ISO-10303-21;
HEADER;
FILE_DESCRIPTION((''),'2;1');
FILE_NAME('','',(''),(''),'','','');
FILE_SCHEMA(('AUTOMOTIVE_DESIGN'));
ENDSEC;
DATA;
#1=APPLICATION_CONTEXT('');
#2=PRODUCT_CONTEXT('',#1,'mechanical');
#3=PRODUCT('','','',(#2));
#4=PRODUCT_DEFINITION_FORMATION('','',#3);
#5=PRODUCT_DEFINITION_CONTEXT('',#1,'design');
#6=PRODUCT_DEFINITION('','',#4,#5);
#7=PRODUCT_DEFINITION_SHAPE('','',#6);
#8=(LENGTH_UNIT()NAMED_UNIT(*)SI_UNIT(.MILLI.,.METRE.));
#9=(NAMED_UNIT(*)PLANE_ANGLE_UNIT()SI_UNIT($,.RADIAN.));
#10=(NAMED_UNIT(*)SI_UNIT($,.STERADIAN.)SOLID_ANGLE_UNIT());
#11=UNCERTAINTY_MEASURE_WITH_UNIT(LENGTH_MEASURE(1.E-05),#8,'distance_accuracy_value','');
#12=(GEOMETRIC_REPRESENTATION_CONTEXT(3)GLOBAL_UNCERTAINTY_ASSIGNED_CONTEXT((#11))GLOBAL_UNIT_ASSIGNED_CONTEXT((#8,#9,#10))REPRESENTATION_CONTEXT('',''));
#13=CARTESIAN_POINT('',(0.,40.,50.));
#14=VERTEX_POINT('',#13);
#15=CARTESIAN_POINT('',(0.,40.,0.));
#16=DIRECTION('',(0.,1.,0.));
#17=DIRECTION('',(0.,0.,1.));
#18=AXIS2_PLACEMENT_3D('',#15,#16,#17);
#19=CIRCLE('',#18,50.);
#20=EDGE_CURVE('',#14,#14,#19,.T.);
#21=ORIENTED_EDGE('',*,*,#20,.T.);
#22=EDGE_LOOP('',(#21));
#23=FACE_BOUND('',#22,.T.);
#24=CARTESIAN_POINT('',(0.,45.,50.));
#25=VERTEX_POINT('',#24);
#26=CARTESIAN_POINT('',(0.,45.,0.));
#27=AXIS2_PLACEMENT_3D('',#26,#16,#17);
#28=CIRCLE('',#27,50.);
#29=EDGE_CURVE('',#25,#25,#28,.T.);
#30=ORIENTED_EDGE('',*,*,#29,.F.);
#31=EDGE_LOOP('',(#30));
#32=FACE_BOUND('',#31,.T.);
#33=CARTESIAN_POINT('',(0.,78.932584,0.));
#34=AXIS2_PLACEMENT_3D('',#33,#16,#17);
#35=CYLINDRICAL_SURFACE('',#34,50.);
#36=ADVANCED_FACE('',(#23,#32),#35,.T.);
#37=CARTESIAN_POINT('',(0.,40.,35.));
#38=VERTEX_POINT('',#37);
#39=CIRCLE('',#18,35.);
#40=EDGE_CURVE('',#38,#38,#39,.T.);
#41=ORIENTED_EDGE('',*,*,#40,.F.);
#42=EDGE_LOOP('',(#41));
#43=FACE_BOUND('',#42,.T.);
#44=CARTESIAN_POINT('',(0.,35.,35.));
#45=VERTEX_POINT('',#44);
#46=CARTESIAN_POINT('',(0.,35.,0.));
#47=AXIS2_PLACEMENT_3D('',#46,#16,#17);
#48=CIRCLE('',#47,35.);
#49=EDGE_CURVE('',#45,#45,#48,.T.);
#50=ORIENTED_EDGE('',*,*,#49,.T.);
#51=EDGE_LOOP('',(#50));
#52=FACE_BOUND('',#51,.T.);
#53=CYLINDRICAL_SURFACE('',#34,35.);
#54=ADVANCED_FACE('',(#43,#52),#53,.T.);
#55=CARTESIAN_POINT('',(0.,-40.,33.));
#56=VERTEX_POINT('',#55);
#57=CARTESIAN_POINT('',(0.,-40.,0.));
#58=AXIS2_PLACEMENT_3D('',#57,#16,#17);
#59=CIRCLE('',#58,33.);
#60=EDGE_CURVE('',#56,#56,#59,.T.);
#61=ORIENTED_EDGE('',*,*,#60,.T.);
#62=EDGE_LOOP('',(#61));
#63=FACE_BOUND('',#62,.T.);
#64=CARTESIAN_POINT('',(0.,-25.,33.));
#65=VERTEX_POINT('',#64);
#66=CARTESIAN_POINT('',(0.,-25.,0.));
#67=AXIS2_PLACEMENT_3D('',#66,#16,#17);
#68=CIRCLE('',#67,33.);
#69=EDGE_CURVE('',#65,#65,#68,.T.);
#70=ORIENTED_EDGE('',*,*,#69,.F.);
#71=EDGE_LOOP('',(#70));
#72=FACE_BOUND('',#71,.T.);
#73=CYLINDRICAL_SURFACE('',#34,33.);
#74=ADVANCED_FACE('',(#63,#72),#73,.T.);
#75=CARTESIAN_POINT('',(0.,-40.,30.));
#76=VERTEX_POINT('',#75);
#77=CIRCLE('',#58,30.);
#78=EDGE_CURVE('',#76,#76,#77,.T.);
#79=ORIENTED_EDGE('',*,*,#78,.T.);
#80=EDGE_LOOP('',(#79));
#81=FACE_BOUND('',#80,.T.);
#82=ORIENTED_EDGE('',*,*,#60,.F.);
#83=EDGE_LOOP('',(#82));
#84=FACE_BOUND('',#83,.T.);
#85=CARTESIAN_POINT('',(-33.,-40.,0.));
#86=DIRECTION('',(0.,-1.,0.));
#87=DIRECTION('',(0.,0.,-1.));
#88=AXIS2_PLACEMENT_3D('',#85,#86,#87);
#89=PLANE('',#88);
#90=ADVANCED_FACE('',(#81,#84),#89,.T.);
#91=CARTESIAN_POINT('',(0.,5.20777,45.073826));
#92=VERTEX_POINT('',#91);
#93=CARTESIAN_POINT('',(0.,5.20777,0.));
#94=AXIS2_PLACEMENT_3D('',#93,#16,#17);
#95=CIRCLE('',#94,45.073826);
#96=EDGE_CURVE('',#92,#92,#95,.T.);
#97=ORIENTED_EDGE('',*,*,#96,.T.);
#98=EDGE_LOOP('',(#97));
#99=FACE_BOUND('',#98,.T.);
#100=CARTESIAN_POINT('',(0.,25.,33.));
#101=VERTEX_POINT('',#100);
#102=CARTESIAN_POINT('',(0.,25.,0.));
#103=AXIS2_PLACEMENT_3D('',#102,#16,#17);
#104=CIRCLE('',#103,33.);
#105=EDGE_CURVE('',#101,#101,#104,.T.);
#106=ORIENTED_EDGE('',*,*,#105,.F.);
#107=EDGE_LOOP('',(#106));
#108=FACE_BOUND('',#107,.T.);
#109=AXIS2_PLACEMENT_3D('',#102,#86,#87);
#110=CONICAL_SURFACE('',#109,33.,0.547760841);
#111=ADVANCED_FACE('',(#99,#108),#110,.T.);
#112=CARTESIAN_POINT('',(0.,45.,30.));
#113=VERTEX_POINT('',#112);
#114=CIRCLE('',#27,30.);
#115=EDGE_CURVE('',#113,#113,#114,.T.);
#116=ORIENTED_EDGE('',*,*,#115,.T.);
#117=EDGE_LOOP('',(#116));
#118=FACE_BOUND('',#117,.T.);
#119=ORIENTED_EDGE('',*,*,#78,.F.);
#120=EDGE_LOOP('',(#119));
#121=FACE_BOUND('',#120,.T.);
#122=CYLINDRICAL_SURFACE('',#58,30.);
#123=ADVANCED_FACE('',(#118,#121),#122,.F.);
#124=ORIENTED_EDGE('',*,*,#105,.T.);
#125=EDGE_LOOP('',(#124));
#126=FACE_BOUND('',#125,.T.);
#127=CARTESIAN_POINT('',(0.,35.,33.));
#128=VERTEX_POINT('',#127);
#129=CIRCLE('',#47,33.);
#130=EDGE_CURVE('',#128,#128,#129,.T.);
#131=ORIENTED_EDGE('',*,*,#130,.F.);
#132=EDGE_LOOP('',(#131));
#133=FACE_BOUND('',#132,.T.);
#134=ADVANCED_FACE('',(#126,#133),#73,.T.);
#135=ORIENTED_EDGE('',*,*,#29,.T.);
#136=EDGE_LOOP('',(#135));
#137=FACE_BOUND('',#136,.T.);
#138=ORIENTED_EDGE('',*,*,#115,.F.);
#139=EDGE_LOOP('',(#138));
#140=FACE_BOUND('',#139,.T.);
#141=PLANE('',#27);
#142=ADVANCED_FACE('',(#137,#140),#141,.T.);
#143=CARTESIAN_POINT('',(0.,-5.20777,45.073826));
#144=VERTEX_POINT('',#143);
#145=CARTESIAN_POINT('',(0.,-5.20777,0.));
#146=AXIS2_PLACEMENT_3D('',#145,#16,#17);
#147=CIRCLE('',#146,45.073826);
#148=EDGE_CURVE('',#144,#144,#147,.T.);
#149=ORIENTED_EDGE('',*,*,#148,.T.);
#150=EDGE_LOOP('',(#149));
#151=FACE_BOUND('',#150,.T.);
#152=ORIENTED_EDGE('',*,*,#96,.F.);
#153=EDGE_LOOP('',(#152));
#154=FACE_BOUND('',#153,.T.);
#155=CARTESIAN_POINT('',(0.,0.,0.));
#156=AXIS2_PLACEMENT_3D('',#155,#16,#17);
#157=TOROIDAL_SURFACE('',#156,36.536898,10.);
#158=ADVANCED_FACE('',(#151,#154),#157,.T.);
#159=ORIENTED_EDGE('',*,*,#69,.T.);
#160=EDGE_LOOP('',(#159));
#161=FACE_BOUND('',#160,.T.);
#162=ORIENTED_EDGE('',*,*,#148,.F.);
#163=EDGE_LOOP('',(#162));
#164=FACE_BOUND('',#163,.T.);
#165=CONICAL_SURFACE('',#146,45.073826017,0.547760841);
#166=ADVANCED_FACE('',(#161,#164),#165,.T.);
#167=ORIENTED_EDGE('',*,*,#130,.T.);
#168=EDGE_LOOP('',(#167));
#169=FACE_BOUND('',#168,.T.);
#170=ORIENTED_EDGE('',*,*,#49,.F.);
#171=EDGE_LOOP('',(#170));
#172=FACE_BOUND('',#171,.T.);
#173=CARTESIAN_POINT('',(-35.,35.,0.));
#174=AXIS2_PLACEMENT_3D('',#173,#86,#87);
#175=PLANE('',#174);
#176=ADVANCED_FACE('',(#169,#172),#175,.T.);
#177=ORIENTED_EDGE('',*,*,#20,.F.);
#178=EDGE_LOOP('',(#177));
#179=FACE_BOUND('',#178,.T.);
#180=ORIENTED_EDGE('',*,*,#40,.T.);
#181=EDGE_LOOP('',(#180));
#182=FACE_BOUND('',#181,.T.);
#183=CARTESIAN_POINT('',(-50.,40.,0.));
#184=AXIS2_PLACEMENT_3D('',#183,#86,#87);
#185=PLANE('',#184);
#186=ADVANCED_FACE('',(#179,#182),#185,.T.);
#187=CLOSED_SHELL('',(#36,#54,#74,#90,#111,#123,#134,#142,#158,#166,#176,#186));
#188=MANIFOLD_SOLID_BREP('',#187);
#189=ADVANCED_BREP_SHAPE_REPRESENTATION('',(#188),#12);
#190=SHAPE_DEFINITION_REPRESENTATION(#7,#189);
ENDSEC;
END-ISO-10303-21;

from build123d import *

# Parameters (mm, degrees)
CUT_EXTRUDE1_DEPTH      = 84.815273071
CUT_EXTRUDE1_DEPTH_BACK = 84.815273071
SKETCH3_R               = 30


with BuildPart() as part:
    # Sketch1 → Revolve1 (revolve)
    with BuildSketch(Plane.XY, mode=Mode.PRIVATE) as revolve1_sk:
        with BuildLine():
            Line((0, 45), (-50, 45))
            Line((-50, 45), (-50, 40))
            Line((-50, 40), (-35, 40))
            Line((-35, 40), (-35, 35))
            Line((-35, 35), (-33, 35))
            Line((-33, 35), (-33, 25))
            Line((-33, 25), (-45.073826017, 5.207769821))
            ThreePointArc((-45.073826017, 5.207769821), (-46.536898379, 0), (-45.073826017, -5.207769821))
            Line((-45.073826017, -5.207769821), (-33, -25))
            Line((-33, -25), (-33, -40))
            Line((-33, -40), (0, -40))
            Line((0, -40), (0, 45))
        make_face()
    revolve(revolve1_sk.sketch.rotate(Axis((0, 78.93258427, 0), (0, -1, 0)), 270), axis=Axis((0, 78.93258427, 0), (0, -1, 0)))

    # Sketch3 → Cut-Extrude1 (cut, two sides: drawn at the far end of the back side and taken through both)
    with BuildSketch(Plane(origin=(0, 0, 0), x_dir=(1, 0, 0), z_dir=(0, 1, 0)).offset(-CUT_EXTRUDE1_DEPTH_BACK)):
        with Locations(Location((0, 0, 0), (0, 0, 270))):
            Circle(SKETCH3_R)
    extrude(amount=CUT_EXTRUDE1_DEPTH + CUT_EXTRUDE1_DEPTH_BACK, mode=Mode.SUBTRACT)


solid = part.part
